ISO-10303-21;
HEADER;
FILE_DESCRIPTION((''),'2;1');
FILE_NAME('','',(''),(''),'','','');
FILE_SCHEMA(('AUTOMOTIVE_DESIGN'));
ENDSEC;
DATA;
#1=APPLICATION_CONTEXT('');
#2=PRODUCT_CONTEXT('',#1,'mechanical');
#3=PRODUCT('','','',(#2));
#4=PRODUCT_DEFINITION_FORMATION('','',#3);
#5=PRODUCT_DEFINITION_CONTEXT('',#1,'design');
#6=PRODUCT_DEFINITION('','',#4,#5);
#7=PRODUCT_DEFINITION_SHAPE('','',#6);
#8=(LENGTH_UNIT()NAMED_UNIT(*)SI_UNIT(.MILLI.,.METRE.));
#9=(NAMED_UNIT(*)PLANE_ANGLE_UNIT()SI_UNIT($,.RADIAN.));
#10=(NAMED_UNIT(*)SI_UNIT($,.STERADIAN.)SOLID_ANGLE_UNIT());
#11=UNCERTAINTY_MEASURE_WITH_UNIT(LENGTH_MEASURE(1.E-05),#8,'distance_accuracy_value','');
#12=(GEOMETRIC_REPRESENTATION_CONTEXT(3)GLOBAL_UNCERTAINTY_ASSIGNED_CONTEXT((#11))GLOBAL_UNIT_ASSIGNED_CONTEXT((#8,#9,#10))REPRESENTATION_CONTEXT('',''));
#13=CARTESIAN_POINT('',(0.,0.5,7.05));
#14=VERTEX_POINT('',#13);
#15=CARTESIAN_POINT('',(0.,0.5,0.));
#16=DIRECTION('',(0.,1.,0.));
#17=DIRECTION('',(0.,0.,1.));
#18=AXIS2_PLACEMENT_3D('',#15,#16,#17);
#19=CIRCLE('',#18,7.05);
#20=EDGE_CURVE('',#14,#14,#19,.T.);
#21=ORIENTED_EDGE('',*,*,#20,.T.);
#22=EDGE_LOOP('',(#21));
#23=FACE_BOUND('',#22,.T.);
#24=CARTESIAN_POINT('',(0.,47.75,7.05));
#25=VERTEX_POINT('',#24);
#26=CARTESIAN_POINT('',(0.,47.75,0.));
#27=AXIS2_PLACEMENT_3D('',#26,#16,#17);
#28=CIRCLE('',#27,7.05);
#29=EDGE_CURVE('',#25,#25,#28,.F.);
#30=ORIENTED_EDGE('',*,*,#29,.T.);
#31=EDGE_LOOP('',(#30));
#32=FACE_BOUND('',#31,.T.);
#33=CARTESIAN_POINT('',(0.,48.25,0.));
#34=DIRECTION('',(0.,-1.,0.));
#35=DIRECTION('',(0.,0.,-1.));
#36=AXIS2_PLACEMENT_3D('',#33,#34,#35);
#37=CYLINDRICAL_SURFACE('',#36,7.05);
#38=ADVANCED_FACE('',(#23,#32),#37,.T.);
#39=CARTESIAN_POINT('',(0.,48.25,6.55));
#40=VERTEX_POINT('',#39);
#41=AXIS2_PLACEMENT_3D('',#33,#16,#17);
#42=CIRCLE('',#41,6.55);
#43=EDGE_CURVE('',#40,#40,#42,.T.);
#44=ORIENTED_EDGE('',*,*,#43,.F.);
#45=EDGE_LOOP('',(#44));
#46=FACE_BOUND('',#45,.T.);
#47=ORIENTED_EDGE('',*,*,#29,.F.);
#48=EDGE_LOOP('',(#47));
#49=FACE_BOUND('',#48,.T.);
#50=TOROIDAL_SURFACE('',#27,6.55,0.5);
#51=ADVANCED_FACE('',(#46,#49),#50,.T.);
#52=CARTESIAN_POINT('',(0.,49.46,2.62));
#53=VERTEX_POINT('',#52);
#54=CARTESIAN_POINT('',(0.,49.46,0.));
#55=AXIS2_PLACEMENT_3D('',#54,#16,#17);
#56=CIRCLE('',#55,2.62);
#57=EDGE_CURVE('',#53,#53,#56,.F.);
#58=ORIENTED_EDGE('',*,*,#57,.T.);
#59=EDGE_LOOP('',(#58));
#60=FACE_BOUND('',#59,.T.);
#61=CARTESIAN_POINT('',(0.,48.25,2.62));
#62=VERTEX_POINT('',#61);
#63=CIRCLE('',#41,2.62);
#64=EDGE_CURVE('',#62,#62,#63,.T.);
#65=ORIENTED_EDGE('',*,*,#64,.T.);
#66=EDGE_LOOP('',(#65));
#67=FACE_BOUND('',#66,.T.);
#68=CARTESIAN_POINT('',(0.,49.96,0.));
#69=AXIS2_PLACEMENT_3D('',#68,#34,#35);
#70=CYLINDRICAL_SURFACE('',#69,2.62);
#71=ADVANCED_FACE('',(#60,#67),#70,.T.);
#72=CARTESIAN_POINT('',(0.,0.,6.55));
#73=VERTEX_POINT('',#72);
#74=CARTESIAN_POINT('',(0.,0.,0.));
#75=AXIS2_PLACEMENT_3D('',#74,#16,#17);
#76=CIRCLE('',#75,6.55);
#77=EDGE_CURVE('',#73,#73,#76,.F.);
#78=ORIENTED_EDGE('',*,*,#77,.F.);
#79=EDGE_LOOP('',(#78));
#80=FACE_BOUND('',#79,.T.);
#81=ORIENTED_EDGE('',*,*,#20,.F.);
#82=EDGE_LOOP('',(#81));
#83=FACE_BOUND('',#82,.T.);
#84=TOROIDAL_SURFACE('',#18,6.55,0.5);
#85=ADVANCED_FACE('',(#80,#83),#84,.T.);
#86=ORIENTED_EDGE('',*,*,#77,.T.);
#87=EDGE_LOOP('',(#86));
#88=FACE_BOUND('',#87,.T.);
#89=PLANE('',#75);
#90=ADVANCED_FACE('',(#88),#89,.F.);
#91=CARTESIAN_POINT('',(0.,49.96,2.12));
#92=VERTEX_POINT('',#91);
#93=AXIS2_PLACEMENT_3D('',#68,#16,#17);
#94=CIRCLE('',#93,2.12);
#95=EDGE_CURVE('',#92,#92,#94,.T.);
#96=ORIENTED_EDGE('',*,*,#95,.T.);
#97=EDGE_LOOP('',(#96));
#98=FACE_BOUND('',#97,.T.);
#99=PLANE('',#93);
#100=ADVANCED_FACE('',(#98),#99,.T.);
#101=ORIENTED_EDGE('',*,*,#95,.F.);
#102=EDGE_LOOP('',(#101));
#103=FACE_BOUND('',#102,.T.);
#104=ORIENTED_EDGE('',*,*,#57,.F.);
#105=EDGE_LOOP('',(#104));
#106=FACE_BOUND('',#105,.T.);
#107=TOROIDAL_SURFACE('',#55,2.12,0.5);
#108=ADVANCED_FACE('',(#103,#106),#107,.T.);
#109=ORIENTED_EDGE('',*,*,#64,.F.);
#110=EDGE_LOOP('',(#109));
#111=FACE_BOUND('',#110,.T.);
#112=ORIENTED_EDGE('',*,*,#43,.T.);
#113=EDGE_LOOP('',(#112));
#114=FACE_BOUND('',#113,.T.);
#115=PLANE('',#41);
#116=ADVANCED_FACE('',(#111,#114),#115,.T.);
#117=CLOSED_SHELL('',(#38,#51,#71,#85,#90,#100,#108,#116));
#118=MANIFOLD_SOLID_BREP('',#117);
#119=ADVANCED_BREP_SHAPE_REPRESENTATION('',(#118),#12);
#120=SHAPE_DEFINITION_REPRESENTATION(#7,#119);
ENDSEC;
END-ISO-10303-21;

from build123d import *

# Parameters (mm, degrees)
SKETCH1_R           = 7.05
BOSS_EXTRUDE2_DEPTH = 48.25
SKETCH2_R           = 2.62
BOSS_EXTRUDE3_DEPTH = 1.71
FILLET1_R           = 0.5


with BuildPart() as part:
    # Sketch1 → Boss-Extrude2 (new body)
    with BuildSketch(Plane(origin=(0, 0, 0), x_dir=(1, 0, 0), z_dir=(0, 1, 0))):
        with Locations(Location((0, 0, 0), (0, 0, 270))):
            Circle(SKETCH1_R)
    extrude(amount=BOSS_EXTRUDE2_DEPTH)

    # Sketch2 → Boss-Extrude3 (add)
    with BuildSketch(Plane(origin=(0, 48.25, 0), x_dir=(1, 0, 0), z_dir=(0, 1, 0))):
        with Locations(Location((0, 0, 0), (0, 0, 270))):
            Circle(SKETCH2_R)
    extrude(amount=BOSS_EXTRUDE3_DEPTH)

    # Fillet1
    fillet1_edges = [part.edges().sort_by_distance(p)[0] for p in [
        (0, 0, -7.05),
        (0, 48.25, -7.05),
        (0, 49.96, -2.62),
    ]]
    fillet(fillet1_edges, radius=FILLET1_R)


solid = part.part
